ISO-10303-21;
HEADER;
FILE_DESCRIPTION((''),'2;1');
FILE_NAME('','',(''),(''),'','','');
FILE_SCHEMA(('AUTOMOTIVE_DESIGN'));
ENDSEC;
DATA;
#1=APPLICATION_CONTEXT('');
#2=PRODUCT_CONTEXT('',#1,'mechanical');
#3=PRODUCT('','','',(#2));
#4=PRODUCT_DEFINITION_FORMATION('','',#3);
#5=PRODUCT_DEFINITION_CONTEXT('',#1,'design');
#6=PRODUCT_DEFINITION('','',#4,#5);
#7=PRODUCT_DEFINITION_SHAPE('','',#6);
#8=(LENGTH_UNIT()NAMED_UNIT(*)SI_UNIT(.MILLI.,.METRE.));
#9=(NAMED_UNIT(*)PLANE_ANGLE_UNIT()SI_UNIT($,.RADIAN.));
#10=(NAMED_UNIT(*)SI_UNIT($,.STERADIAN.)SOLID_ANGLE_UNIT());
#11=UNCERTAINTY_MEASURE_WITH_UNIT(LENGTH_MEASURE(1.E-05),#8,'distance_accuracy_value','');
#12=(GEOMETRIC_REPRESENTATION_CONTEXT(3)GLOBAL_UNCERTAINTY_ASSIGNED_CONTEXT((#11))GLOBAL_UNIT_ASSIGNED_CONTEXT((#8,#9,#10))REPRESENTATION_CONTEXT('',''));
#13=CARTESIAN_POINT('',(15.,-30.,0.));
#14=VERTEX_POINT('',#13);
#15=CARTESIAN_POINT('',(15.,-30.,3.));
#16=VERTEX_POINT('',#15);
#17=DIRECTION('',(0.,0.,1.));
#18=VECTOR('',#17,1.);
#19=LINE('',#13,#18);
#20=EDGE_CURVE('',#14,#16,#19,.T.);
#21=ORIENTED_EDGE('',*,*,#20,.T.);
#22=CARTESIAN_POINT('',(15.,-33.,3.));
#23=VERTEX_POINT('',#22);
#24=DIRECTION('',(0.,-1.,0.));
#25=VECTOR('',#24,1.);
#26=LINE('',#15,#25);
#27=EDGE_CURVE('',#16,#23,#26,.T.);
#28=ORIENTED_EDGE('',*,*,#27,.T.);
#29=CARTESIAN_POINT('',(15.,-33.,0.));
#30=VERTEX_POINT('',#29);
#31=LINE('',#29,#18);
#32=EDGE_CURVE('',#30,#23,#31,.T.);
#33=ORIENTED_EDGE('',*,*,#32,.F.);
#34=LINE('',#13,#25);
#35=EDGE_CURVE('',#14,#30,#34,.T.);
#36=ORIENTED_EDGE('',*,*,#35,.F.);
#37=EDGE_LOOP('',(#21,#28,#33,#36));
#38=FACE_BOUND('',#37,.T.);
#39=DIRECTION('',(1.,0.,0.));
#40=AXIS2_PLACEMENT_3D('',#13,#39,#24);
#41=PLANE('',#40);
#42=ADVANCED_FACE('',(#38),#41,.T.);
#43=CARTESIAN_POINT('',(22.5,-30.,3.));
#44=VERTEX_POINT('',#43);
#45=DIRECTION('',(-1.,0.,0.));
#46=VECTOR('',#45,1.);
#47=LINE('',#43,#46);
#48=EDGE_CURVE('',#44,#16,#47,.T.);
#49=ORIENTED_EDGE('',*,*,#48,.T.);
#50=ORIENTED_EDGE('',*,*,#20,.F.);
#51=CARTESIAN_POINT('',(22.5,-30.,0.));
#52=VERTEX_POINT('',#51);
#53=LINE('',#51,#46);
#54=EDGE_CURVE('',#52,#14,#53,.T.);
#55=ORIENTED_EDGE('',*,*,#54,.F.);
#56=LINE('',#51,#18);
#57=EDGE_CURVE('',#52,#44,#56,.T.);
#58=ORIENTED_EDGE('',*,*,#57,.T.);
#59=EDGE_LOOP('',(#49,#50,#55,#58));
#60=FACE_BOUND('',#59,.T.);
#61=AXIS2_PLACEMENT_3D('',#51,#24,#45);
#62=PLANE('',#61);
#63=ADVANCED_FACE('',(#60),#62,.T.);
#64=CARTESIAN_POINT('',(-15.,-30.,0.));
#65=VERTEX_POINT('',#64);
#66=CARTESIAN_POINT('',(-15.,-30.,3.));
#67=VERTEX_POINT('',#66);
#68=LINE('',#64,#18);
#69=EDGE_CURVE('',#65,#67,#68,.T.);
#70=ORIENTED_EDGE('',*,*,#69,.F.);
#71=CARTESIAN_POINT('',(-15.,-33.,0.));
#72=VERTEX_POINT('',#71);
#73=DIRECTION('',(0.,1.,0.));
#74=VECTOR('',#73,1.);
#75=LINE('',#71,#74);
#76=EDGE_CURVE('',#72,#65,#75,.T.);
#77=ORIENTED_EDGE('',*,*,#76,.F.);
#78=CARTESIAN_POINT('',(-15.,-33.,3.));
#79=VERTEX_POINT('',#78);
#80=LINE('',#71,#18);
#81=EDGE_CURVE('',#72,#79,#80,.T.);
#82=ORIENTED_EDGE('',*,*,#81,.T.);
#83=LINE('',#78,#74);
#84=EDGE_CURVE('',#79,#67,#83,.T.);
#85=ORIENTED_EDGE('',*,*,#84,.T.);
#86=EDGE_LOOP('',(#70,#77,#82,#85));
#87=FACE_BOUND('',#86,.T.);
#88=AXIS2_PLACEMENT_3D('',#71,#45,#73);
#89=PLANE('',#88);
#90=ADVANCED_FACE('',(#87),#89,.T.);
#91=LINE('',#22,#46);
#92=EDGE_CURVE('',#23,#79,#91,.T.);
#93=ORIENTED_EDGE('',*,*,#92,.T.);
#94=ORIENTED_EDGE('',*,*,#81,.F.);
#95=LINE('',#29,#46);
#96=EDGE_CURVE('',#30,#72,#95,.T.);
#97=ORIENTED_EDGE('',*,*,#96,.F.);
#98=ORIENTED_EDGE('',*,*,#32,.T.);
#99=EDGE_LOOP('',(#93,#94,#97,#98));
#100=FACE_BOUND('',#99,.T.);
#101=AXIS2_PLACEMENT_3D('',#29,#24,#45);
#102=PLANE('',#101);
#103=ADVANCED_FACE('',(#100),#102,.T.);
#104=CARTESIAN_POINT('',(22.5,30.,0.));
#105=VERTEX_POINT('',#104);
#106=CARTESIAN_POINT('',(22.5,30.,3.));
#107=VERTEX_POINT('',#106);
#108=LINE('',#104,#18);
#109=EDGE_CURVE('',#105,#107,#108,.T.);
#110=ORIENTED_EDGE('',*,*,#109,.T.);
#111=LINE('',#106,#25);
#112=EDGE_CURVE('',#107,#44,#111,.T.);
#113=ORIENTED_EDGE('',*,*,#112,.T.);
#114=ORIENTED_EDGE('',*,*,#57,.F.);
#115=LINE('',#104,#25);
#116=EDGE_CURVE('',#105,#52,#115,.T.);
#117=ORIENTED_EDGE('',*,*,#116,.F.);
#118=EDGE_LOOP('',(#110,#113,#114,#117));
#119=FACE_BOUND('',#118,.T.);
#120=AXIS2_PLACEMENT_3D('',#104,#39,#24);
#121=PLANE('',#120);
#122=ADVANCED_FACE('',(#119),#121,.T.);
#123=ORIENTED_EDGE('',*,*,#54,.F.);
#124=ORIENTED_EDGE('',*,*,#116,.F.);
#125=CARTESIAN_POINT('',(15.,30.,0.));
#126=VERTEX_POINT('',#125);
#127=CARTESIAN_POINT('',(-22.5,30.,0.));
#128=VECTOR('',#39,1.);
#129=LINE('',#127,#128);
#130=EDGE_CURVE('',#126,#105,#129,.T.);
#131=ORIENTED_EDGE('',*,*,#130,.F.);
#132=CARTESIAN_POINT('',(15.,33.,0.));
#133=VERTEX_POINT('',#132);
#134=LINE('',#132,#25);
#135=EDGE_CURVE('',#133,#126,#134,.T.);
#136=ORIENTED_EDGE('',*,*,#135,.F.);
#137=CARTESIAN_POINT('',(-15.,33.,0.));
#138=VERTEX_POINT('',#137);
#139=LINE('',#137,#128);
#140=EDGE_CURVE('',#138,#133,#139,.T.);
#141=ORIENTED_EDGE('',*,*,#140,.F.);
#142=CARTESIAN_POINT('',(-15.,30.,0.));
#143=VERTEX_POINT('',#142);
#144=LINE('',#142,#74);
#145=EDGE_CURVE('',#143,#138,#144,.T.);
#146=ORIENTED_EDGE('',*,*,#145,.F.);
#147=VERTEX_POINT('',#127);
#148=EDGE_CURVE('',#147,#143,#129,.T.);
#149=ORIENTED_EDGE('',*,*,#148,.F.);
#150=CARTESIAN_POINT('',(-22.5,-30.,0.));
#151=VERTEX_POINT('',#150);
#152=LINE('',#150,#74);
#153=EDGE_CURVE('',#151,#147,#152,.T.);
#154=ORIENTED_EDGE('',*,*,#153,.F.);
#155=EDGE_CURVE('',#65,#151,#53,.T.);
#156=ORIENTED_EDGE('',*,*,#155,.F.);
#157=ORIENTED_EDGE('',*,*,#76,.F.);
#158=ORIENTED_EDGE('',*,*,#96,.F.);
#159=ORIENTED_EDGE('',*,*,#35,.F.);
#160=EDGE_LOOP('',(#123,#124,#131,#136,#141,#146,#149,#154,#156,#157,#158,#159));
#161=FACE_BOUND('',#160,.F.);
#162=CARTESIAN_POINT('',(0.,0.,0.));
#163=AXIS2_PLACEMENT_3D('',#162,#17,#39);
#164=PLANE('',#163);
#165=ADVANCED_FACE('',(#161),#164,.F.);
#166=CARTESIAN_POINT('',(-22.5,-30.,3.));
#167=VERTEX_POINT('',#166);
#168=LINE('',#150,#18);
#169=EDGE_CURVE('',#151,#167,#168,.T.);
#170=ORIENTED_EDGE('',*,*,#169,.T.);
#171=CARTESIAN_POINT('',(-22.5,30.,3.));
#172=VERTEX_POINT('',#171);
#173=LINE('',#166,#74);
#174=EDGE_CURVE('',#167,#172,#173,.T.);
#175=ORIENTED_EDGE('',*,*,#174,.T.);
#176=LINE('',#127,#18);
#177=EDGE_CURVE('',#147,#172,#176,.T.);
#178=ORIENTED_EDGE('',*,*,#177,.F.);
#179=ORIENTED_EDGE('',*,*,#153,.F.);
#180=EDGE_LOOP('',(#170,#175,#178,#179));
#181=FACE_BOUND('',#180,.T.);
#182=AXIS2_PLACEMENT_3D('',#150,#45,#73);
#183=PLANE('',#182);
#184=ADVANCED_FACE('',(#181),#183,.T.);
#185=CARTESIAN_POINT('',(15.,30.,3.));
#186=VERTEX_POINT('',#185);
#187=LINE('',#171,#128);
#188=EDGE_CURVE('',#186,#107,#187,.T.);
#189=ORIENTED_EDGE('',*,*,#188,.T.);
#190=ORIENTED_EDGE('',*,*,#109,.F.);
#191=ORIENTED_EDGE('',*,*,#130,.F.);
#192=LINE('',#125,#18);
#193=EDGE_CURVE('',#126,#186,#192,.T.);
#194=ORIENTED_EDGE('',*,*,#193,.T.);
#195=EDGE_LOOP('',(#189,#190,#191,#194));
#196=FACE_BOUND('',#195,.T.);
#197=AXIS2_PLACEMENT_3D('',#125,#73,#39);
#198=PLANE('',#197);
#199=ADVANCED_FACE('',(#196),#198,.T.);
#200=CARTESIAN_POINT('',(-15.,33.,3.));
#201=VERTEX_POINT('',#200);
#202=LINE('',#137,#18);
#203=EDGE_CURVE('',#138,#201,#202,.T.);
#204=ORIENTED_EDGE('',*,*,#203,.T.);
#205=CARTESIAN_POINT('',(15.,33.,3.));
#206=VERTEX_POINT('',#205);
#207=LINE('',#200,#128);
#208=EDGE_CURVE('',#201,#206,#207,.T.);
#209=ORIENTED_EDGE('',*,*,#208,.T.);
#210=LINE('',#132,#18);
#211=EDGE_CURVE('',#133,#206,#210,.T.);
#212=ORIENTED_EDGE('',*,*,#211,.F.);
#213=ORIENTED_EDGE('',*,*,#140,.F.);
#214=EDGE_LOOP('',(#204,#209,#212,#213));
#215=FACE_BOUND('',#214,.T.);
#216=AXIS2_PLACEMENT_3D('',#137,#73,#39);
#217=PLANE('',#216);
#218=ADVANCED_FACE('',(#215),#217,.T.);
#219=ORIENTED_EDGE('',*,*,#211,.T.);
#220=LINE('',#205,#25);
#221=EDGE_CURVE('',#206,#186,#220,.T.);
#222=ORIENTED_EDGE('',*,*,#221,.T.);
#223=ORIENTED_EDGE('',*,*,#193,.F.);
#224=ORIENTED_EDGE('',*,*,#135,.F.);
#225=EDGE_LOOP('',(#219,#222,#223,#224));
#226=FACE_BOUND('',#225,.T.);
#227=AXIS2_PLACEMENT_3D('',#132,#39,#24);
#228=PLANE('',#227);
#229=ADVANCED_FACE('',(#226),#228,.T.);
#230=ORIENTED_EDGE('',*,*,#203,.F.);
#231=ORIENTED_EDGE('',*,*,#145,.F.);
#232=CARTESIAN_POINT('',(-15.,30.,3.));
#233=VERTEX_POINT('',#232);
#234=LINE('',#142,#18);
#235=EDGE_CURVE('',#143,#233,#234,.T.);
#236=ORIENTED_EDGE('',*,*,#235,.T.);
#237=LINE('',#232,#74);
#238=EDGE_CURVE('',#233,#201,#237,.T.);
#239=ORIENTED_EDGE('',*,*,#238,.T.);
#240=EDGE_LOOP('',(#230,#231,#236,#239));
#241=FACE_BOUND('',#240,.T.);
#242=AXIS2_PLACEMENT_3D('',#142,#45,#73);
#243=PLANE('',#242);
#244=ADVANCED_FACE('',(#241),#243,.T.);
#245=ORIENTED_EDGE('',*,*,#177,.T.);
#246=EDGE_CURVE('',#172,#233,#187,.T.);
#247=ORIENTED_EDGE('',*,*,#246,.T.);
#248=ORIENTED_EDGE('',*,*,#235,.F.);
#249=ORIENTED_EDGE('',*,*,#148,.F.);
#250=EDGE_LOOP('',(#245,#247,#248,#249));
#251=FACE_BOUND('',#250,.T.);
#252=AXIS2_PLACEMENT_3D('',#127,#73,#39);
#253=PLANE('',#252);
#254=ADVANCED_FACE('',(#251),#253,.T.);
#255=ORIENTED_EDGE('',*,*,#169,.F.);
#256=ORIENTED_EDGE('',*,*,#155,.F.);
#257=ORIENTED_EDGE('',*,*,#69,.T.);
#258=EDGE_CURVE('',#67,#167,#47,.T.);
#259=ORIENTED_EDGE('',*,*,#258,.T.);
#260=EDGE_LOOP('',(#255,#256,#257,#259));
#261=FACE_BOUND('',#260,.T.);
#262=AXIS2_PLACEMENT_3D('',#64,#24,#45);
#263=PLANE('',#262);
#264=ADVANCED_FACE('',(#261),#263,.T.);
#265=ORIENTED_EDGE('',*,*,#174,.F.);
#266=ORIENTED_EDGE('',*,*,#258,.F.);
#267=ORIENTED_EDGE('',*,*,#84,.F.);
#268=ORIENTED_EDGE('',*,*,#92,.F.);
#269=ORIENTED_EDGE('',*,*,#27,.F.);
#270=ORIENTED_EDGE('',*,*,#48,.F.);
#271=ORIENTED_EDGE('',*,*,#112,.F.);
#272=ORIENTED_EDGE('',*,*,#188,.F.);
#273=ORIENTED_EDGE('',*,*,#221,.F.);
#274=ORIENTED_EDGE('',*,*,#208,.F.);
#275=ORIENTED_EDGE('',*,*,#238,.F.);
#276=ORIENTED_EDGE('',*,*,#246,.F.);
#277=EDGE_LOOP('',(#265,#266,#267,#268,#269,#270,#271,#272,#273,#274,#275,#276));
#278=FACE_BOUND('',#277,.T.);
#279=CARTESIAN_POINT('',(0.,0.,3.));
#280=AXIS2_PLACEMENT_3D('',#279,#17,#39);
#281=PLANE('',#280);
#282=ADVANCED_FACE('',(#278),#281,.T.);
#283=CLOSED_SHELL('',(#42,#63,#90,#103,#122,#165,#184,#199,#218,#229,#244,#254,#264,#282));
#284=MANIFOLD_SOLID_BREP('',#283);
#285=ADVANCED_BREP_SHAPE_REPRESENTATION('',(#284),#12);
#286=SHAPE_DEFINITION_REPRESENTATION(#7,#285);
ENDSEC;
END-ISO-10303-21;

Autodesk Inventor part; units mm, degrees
ref_plane "YZ Plane" through (0, 0, 0) normal (1, 0, 0) x (0, 1, 0)
ref_plane "XZ Plane" through (0, 0, 0) normal (0, 1, 0) x (-1, 0, 0)
ref_plane "XY Plane" through (0, 0, 0) normal (0, 0, 1) x (1, 0, 0)
sketch "Sketch1" plane through (0, 0, 0) normal (0, 0, 1) x (1, 0, 0)
  line L0 (-22.5, 30) -> (22.5, 30)
  line L1 (22.5, 30) -> (22.5, -30)
  line L2 (22.5, -30) -> (-22.5, -30)
  line L3 (-22.5, -30) -> (-22.5, 30)
  line L4 (-22.5, 30) -> (22.5, -30) construction
  line L5 (22.5, 30) -> (-22.5, -30) construction
  line L6 (-15, 33) -> (15, 33)
  line L7 (15, 33) -> (15, 30)
  line L8 (15, 30) -> (-15, 30)
  line L9 (-15, 30) -> (-15, 33)
  line L10 (-15, 33) -> (15, 30) construction
  line L11 (15, 33) -> (-15, 30) construction
  line L12 (-15, -30) -> (15, -30)
  line L13 (15, -30) -> (15, -33)
  line L14 (15, -33) -> (-15, -33)
  line L15 (-15, -33) -> (-15, -30)
  line L16 (-15, -30) -> (15, -33) construction
  line L17 (15, -30) -> (-15, -33) construction
  point P0 (0, 0)
  point P1 (0, 31.5)
  point P2 (0, -31.5)
  dimension "d0" = 45
  dimension "d1" = 60
  dimension "d2" = 3
  dimension "d3" = 30
extrude "Extrusion1" add sketch "Sketch1" along normal blind 3
properties part number "UNION_SOPORTE" material "MDF Medium Density Fiberboard"
